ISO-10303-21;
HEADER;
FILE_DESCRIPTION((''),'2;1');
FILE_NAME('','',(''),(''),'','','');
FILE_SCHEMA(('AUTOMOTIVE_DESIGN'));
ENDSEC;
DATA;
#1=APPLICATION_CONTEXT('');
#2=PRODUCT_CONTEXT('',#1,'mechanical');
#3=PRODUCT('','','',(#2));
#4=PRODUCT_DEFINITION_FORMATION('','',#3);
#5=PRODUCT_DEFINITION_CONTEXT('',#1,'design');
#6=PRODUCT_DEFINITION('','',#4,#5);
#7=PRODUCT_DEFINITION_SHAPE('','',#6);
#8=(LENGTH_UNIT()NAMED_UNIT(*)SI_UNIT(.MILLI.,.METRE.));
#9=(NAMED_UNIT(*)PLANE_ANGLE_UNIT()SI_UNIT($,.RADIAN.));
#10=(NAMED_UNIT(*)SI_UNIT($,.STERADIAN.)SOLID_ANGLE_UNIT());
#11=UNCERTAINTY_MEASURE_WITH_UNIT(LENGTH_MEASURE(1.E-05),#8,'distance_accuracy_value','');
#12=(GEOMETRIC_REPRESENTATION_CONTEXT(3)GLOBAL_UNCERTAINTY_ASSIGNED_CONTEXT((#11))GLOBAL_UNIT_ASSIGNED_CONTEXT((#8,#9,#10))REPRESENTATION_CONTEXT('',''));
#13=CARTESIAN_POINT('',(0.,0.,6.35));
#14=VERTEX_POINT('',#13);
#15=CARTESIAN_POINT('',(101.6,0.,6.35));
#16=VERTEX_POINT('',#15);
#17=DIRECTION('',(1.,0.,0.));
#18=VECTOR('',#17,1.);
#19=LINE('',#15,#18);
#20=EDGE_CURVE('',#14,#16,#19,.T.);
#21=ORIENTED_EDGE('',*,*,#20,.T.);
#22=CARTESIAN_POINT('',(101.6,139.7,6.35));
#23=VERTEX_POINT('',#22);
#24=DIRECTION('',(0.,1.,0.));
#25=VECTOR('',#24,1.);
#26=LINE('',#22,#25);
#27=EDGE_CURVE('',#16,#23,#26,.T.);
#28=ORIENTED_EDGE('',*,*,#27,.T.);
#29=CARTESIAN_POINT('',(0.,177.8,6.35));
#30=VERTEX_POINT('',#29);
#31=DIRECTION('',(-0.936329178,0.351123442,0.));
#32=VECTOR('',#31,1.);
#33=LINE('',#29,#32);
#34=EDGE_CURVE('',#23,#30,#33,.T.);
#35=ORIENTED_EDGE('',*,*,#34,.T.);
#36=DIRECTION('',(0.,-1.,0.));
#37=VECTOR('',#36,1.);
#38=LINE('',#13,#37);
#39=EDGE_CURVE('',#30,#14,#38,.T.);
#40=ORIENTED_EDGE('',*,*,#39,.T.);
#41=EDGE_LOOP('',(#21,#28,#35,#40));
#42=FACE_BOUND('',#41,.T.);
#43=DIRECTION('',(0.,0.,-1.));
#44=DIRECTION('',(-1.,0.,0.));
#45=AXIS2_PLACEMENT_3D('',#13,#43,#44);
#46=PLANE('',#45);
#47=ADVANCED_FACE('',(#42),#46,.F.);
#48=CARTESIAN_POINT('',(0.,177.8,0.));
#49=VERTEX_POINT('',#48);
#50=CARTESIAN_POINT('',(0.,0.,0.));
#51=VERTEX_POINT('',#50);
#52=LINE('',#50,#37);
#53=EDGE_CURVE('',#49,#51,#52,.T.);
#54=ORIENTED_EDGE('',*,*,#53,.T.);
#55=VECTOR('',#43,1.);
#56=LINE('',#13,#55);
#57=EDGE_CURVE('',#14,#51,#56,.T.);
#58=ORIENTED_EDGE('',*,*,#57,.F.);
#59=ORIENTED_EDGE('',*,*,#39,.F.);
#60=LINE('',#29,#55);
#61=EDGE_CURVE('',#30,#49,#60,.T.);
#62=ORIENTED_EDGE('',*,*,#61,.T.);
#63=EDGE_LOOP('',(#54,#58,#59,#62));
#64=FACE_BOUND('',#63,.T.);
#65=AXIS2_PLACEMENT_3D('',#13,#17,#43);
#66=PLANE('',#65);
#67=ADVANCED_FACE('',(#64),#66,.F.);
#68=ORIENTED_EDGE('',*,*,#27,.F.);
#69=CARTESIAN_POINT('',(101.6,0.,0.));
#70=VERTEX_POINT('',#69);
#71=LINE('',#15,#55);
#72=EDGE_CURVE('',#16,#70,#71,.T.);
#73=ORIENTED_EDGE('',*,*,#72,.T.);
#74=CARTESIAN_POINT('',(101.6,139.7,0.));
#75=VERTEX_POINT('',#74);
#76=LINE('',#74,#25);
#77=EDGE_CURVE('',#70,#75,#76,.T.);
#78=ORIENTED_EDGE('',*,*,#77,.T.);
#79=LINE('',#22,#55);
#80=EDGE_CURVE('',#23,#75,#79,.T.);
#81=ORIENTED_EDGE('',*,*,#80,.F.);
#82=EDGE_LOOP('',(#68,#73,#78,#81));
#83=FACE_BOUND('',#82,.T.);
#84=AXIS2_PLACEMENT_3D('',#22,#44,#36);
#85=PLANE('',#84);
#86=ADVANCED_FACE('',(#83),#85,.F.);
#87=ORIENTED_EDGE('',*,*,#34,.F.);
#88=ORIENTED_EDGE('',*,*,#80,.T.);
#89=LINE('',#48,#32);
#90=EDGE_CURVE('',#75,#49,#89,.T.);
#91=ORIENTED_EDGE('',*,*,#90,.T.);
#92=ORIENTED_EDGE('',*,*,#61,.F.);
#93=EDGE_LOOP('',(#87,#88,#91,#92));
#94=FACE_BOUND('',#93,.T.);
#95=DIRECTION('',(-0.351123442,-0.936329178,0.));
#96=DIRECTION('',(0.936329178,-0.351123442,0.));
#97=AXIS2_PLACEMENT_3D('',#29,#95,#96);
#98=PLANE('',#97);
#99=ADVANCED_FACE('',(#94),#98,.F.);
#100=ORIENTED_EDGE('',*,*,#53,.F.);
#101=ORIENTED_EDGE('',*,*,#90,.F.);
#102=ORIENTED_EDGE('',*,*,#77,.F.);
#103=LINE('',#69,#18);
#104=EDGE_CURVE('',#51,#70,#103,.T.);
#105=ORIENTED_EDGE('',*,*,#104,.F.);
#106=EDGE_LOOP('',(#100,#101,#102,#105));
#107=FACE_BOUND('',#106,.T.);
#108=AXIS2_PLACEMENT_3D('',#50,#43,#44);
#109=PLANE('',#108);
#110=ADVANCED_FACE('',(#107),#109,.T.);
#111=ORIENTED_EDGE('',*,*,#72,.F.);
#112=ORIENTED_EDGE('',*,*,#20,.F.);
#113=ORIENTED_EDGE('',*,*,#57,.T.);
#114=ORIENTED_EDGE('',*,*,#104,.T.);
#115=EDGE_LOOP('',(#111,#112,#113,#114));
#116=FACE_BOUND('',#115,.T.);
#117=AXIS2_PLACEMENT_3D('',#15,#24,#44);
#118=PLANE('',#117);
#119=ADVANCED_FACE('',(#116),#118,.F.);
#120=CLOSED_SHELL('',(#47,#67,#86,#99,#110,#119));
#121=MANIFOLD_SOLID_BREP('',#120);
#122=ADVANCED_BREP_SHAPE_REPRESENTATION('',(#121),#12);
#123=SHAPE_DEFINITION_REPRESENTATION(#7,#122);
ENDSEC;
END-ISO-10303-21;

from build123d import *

# Parameters (mm, degrees)
BOSS_EXTRUDE1_DEPTH = 6.35


with BuildPart() as part:
    # Sketch1 → Boss-Extrude1 (new body)
    with BuildSketch(Plane.XY):
        Polygon((0, 0), (0, 177.8), (101.6, 139.7), (101.6, 0), align=None)
    extrude(amount=BOSS_EXTRUDE1_DEPTH)


solid = part.part
